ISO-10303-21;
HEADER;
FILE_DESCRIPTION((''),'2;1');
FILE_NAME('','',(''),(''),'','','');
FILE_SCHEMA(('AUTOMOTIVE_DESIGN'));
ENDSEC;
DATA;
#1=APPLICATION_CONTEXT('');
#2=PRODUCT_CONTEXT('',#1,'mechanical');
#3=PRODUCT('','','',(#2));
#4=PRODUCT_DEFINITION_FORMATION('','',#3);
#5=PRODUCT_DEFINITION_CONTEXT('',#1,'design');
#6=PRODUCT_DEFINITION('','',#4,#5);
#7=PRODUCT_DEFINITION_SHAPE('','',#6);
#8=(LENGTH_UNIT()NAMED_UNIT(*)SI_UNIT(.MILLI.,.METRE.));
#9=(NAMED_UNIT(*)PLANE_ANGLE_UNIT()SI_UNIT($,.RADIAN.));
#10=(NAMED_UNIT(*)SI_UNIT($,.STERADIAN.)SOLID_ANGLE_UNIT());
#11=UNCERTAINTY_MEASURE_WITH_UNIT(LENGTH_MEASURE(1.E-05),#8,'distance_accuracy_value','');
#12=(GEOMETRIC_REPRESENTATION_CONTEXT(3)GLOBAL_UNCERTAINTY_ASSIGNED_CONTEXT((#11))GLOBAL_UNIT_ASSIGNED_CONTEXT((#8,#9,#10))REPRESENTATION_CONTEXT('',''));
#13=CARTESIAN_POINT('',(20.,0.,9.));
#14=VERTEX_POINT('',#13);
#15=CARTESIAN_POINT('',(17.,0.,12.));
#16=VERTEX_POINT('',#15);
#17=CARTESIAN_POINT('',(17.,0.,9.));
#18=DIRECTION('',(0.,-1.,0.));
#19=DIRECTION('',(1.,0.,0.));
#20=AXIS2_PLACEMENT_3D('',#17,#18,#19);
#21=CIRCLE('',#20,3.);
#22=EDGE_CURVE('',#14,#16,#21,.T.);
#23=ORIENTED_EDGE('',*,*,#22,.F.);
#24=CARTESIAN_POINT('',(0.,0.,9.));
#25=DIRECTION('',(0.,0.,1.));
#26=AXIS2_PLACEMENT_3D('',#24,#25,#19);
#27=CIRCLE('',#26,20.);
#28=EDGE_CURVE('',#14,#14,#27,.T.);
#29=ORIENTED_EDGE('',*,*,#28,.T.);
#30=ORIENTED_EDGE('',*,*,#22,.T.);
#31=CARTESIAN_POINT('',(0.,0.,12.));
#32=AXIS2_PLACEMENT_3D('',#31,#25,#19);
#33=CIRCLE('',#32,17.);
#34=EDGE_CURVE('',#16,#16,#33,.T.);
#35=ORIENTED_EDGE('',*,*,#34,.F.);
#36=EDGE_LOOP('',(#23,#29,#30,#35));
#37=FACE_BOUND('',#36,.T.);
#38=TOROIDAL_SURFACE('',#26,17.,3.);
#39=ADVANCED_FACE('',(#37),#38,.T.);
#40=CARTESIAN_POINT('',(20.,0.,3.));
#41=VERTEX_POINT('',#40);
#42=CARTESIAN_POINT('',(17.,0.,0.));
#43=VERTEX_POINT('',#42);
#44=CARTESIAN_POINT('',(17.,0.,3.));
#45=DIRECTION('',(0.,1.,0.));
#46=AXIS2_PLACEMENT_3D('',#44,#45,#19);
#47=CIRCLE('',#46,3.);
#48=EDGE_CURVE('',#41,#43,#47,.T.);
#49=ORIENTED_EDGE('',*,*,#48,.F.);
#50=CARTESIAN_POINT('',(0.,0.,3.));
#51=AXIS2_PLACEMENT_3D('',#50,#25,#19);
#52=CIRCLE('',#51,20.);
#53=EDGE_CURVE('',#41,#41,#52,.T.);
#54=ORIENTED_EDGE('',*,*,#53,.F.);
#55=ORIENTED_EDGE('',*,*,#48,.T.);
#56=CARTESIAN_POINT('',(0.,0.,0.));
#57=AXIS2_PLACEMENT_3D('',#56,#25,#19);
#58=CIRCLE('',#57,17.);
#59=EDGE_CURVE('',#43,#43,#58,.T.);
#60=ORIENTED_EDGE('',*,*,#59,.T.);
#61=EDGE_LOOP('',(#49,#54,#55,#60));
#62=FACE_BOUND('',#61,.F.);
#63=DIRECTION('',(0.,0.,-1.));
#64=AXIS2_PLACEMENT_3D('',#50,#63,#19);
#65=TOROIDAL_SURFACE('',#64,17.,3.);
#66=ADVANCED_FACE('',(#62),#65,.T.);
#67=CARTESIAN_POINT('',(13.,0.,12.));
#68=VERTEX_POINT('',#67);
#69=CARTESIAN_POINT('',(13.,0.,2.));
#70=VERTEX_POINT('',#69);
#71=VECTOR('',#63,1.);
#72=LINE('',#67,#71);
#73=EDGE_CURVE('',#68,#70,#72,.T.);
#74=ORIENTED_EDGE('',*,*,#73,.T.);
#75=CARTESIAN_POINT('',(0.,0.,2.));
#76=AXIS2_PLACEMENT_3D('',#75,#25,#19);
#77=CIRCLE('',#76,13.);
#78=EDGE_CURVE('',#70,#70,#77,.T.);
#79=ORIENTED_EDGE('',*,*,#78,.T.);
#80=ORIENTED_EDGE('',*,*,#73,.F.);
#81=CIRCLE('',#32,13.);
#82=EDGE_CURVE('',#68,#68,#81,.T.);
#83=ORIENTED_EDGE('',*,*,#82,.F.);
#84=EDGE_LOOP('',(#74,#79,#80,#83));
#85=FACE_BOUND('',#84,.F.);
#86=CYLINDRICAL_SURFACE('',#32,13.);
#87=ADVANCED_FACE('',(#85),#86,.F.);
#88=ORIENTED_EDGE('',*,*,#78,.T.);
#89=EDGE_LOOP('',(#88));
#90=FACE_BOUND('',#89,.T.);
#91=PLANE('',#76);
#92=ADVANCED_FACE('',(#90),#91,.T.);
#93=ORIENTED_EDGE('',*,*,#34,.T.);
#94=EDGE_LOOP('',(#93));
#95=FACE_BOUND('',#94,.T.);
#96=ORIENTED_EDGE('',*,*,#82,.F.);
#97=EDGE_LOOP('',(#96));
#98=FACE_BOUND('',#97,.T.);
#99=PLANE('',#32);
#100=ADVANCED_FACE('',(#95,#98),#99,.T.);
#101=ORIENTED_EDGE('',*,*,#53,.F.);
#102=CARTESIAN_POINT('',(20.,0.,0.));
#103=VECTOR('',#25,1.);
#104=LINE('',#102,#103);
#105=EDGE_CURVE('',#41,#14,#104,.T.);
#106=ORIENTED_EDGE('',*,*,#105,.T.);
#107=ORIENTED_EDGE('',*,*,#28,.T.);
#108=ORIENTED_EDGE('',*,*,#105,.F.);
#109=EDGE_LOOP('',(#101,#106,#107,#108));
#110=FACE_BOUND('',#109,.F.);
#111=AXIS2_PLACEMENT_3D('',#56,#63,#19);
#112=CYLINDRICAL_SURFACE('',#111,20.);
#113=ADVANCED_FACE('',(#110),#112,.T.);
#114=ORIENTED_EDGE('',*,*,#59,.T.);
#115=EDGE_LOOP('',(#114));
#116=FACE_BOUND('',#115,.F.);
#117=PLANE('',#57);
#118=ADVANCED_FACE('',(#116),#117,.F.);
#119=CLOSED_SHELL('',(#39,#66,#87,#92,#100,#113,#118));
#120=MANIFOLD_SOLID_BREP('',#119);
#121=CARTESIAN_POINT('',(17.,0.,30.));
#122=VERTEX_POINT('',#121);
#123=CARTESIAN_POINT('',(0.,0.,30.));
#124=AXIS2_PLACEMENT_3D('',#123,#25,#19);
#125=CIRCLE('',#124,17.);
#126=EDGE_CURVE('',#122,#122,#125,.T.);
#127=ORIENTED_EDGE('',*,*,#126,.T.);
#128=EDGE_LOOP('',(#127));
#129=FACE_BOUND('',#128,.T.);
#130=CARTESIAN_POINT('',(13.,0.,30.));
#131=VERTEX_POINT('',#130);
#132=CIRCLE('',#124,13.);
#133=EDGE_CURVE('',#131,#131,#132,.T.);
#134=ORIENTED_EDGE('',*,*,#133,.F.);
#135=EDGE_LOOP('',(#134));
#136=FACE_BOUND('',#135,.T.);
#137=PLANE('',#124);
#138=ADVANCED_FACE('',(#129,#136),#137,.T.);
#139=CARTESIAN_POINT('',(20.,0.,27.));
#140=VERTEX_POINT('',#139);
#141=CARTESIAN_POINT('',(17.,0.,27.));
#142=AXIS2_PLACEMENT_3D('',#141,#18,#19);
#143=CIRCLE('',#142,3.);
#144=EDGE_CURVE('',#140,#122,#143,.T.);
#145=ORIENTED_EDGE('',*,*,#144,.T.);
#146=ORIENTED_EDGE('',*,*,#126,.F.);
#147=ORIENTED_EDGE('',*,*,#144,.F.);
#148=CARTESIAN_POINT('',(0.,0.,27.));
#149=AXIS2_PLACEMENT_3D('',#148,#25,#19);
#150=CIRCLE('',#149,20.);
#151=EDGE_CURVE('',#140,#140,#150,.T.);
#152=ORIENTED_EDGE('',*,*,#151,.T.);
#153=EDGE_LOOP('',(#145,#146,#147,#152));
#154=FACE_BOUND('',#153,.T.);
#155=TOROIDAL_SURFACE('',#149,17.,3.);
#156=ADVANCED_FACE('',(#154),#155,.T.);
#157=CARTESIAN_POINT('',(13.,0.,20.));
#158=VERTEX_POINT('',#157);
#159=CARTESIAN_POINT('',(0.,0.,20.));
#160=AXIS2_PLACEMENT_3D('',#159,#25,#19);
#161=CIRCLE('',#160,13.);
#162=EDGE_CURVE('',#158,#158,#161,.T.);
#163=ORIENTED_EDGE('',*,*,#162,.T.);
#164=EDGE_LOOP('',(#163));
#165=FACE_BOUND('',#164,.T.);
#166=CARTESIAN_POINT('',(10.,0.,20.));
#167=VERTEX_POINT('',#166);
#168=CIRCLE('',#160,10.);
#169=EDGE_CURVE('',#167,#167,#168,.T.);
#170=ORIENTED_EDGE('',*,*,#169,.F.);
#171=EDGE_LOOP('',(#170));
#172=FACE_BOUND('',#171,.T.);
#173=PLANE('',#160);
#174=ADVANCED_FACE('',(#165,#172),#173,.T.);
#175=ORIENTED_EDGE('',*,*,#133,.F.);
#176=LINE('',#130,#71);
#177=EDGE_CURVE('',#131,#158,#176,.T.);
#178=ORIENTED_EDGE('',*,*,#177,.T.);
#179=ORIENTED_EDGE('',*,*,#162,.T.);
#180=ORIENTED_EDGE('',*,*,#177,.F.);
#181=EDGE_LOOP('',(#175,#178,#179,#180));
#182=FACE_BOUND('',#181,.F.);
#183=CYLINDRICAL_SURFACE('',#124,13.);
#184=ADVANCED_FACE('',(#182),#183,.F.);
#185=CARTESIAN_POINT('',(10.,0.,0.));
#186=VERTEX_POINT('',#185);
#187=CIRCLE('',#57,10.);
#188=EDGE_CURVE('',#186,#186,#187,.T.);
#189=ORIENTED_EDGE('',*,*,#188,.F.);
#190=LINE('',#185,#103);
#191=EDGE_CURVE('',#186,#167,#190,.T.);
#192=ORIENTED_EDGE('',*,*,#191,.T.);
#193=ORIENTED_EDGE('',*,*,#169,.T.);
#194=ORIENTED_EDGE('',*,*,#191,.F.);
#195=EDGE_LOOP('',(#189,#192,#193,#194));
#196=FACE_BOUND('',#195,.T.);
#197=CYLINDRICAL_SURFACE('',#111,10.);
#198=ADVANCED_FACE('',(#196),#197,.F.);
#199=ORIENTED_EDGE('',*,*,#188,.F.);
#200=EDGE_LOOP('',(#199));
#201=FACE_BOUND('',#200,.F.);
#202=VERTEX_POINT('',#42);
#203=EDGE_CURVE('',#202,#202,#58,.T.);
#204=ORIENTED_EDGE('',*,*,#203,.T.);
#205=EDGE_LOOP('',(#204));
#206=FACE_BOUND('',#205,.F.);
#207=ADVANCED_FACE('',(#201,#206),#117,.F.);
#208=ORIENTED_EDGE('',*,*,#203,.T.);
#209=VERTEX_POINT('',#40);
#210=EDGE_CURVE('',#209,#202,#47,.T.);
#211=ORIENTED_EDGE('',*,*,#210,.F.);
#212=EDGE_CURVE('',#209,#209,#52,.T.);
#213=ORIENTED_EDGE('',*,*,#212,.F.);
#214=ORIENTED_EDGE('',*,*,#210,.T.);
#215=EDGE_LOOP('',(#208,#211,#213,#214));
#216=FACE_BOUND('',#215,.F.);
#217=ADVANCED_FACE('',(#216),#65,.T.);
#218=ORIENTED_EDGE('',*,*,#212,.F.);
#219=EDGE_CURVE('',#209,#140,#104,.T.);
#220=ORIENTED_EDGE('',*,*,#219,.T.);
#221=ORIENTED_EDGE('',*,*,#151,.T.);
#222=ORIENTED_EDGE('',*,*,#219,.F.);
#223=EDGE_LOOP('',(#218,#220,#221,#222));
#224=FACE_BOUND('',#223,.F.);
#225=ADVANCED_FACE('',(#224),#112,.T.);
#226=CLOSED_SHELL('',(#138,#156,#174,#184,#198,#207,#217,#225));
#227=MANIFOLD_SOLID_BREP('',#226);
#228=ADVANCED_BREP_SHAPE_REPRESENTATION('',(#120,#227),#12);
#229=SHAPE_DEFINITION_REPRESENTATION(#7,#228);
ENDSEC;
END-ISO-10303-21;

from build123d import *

# Parameters (mm, degrees)
SKETCH_R        = 20
PAD_DEPTH       = 12
SKETCH001_R     = 13
POCKET_DEPTH    = 10
FILLET001_R     = 3
SKETCH002_R     = 20
PAD001_DEPTH    = 30
SKETCH003_R     = 13
POCKET001_DEPTH = 10
SKETCH004_R     = 10
POCKET002_DEPTH = 20
FILLET_R        = 3


with BuildPart() as seat_bottom:
    # Sketch → Pad (new body)
    with BuildSketch(Plane.XY):
        Circle(SKETCH_R)
    extrude(amount=PAD_DEPTH)

    # Sketch001 → Pocket (cut)
    with BuildSketch(Plane.XY.offset(12)):
        Circle(SKETCH001_R)
    extrude(amount=-POCKET_DEPTH, mode=Mode.SUBTRACT)

    # Fillet001
    fillet001_edges = [seat_bottom.edges().sort_by_distance(p)[0] for p in [
        (20, 0, 6),
        (-20, 0, 0),
        (-20, 0, 12),
    ]]
    fillet(fillet001_edges, radius=FILLET001_R)


with BuildPart() as seat_top:
    # Sketch002 → Pad001 (new body)
    with BuildSketch(Plane.XY):
        Circle(SKETCH002_R)
    extrude(amount=PAD001_DEPTH)

    # Sketch003 → Pocket001 (cut)
    with BuildSketch(Plane.XY.offset(30)):
        Circle(SKETCH003_R)
    extrude(amount=-POCKET001_DEPTH, mode=Mode.SUBTRACT)

    # Sketch004 → Pocket002 (cut)
    with BuildSketch(Plane.XY):
        Circle(SKETCH004_R)
    extrude(amount=POCKET002_DEPTH, mode=Mode.SUBTRACT)

    # Fillet
    fillet_edges = [seat_top.edges().sort_by_distance(p)[0] for p in [
        (20, 0, 15),
        (-20, 0, 0),
        (-20, 0, 30),
    ]]
    fillet(fillet_edges, radius=FILLET_R)


solid = Compound([seat_bottom.part, seat_top.part])
